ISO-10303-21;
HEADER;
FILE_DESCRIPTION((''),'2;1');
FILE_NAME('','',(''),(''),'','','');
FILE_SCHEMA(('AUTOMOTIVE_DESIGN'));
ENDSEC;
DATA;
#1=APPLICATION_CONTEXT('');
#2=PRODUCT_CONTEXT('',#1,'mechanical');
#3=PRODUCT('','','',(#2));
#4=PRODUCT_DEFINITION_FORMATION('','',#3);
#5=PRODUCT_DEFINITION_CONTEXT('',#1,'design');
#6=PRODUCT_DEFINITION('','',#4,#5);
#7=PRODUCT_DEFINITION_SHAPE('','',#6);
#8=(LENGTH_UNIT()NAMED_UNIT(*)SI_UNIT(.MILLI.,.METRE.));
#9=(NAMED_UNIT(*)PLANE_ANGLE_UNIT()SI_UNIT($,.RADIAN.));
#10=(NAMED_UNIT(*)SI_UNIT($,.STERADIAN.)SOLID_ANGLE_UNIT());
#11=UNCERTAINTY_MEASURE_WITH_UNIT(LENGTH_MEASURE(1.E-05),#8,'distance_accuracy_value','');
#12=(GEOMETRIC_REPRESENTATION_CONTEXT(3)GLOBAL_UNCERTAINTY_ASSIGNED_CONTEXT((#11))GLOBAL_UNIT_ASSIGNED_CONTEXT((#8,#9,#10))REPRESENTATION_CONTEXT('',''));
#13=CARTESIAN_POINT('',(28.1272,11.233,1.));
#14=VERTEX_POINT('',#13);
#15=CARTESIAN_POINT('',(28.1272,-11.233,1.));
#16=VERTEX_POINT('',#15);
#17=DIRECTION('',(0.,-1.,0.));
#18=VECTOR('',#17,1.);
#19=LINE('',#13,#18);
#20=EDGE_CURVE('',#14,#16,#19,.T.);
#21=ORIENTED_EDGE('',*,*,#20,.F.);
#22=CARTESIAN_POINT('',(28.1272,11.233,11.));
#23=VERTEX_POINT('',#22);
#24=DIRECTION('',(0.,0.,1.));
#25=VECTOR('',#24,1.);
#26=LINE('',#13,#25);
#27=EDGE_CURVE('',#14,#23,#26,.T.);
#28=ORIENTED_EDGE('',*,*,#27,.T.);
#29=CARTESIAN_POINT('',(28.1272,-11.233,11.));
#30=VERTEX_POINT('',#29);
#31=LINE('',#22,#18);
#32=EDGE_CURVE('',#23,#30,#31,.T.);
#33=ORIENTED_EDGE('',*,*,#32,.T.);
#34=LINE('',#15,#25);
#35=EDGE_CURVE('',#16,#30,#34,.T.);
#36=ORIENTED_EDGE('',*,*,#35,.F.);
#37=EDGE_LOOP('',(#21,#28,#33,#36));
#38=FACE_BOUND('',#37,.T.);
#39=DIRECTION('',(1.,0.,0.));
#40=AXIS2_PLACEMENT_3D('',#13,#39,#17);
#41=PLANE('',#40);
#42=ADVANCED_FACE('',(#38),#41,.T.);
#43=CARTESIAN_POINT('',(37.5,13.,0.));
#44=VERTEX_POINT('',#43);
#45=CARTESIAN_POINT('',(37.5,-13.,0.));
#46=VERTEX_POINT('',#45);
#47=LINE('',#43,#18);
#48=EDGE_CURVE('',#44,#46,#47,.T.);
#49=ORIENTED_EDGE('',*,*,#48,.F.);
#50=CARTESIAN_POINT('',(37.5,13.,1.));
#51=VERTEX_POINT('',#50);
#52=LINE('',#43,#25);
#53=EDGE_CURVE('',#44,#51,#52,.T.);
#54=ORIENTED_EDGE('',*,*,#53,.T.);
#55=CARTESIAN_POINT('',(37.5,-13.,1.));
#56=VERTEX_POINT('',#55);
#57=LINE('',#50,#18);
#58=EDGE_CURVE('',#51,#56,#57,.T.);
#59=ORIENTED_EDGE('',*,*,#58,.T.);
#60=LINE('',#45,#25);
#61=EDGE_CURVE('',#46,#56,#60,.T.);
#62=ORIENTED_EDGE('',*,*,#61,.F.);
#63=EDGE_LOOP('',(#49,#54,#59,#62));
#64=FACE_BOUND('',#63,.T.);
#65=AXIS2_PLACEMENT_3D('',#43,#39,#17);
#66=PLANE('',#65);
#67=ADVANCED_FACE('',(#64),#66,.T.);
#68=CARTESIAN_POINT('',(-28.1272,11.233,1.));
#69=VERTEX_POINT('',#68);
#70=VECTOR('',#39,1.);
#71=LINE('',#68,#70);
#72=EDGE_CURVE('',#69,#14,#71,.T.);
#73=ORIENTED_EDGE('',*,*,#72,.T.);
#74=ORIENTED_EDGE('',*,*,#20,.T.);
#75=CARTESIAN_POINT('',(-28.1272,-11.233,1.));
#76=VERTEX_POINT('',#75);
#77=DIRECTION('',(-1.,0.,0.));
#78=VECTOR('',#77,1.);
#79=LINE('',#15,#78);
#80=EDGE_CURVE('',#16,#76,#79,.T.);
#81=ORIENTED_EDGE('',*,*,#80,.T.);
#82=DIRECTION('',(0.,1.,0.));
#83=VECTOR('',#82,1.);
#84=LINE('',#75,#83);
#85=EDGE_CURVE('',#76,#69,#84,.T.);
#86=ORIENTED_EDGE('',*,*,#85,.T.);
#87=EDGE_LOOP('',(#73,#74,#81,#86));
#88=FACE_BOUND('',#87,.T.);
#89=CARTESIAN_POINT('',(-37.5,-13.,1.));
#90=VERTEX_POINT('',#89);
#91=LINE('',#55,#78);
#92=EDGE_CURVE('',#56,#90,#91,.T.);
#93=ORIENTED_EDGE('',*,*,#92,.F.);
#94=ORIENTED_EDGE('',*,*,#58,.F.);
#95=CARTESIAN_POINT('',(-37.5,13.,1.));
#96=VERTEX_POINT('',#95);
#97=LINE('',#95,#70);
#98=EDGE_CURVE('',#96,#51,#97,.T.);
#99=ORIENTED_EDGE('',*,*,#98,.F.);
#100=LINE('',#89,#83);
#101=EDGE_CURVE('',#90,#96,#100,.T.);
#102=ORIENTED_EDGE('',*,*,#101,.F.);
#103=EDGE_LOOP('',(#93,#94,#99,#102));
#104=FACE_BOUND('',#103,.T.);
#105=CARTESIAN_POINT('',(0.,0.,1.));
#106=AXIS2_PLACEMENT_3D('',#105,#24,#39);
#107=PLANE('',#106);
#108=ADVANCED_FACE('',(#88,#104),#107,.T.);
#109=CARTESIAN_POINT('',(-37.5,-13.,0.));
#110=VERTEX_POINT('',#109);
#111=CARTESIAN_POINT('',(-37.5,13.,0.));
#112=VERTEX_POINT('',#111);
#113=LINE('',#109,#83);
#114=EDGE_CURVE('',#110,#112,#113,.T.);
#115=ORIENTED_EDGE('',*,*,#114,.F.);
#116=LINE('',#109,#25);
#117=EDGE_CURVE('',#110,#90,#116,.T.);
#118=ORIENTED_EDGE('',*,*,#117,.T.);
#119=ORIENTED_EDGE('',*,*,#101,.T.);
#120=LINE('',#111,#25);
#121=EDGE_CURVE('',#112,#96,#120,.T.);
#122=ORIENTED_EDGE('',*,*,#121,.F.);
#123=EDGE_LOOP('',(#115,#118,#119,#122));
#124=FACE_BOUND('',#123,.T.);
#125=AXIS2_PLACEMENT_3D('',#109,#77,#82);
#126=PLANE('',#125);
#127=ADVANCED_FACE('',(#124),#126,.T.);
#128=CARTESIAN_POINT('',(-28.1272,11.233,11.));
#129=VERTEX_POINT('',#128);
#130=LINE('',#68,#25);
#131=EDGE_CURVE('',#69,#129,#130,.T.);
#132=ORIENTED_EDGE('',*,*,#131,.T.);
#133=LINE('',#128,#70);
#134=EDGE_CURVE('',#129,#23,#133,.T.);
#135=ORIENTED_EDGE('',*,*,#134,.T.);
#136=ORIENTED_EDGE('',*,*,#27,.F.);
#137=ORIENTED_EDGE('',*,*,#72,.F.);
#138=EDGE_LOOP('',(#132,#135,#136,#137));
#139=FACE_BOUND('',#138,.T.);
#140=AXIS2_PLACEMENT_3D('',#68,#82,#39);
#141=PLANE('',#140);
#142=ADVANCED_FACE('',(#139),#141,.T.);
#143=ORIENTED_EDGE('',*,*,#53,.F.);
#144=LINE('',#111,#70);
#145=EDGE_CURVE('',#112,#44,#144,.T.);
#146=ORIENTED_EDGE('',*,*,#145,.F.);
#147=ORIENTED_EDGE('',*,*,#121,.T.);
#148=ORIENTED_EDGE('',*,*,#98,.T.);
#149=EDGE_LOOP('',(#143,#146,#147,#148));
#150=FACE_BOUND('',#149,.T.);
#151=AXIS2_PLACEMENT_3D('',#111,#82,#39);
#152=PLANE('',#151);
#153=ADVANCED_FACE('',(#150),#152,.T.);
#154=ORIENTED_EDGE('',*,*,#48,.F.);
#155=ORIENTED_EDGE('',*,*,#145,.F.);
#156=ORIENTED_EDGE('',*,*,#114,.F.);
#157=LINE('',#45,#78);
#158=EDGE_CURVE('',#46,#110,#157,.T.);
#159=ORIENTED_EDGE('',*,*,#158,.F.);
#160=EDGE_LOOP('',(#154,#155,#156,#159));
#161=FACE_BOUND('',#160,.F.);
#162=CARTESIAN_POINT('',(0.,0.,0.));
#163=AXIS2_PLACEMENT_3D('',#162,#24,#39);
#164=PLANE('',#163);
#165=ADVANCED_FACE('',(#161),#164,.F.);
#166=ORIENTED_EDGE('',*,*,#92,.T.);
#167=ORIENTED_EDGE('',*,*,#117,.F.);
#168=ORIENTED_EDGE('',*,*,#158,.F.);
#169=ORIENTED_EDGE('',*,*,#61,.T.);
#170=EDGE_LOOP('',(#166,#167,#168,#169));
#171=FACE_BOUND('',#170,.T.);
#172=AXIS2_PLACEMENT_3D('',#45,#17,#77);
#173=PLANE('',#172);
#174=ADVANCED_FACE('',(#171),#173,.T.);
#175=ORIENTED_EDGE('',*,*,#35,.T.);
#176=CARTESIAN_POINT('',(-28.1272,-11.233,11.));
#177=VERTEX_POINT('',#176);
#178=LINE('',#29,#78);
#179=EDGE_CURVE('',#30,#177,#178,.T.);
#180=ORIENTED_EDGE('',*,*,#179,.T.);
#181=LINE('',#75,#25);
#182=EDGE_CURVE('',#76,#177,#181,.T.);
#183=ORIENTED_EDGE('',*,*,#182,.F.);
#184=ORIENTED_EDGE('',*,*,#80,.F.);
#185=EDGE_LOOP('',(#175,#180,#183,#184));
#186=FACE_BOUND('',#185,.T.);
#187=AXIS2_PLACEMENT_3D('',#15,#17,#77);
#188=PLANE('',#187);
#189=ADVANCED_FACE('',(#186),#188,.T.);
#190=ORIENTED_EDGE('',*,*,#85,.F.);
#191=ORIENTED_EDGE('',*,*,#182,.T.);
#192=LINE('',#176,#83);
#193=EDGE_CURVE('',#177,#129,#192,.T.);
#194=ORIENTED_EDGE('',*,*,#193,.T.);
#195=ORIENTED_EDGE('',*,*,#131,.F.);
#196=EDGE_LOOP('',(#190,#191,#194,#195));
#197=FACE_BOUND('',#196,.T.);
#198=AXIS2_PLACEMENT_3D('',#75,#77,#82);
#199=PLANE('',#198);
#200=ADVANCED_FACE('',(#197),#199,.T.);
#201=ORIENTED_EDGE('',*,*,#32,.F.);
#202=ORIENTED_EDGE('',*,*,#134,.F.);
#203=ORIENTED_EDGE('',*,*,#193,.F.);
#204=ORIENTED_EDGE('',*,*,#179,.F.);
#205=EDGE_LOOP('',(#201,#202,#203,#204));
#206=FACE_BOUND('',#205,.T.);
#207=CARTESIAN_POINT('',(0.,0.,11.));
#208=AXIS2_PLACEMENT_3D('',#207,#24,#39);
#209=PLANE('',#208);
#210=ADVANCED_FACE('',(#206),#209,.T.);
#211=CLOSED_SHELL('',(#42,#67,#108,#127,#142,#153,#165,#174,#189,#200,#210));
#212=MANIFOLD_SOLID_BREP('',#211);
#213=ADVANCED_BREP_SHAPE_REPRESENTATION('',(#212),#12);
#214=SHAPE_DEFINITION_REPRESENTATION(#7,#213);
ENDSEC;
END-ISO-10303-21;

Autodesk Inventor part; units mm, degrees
ref_plane "YZ Plane" through (0, 0, 0) normal (1, 0, 0) x (0, 1, 0)
ref_plane "XZ Plane" through (0, 0, 0) normal (0, 1, 0) x (-1, 0, 0)
ref_plane "XY Plane" through (0, 0, 0) normal (0, 0, 1) x (1, 0, 0)
sketch "Skizze1" plane through (0, 0, 0) normal (0, 0, 1) x (1, 0, 0)
  line L0 (37.5, -13) -> (-37.5, -13)
  line L1 (-37.5, -13) -> (-37.5, 13)
  line L2 (-37.5, 13) -> (37.5, 13)
  line L3 (37.5, 13) -> (37.5, -13)
  line L4 (37.5, -13) -> (-37.5, 13) construction
  line L5 (-37.5, -13) -> (37.5, 13) construction
  point P0 (0, 0)
  dimension "d0" = 75
  dimension "d1" = 26
extrude "Extrusion1" add sketch "Skizze1" along normal blind 1
sketch "Skizze2" plane through (0, 0, 1) normal (0, 0, 1) x (1, 0, 0)
  line L0 (37.5, 13) -> (-37.5, 13) projected
  line L1 (-37.5, 13) -> (-37.5, -13) projected
  line L2 (-37.5, -13) -> (37.5, -13) projected
  line L3 (37.5, -13) -> (37.5, 13) projected
  line L4 (28.1272, -11.233) -> (-28.1272, -11.233)
  line L5 (-28.1272, -11.233) -> (-28.1272, 11.233)
  line L6 (-28.1272, 11.233) -> (28.1272, 11.233)
  line L7 (28.1272, 11.233) -> (28.1272, -11.233)
  line L8 (28.1272, -11.233) -> (-28.1272, 11.233) construction
  line L9 (-28.1272, -11.233) -> (28.1272, 11.233) construction
  point P0 (0, 0)
extrude "Extrusion2" add sketch "Skizze2" along normal blind 10 contours L4 L5 L6 L7
ref_plane "Arbeitsebene1" through (-37.5, 0, 0) normal (0, -1, 0) x (1, 0, 0)
ref_plane "Arbeitsebene2" through (0, -13, 0) normal (1, 0, 0) x (0, 0, -1)
properties part number "00_FluidicChip_Vittorio"
